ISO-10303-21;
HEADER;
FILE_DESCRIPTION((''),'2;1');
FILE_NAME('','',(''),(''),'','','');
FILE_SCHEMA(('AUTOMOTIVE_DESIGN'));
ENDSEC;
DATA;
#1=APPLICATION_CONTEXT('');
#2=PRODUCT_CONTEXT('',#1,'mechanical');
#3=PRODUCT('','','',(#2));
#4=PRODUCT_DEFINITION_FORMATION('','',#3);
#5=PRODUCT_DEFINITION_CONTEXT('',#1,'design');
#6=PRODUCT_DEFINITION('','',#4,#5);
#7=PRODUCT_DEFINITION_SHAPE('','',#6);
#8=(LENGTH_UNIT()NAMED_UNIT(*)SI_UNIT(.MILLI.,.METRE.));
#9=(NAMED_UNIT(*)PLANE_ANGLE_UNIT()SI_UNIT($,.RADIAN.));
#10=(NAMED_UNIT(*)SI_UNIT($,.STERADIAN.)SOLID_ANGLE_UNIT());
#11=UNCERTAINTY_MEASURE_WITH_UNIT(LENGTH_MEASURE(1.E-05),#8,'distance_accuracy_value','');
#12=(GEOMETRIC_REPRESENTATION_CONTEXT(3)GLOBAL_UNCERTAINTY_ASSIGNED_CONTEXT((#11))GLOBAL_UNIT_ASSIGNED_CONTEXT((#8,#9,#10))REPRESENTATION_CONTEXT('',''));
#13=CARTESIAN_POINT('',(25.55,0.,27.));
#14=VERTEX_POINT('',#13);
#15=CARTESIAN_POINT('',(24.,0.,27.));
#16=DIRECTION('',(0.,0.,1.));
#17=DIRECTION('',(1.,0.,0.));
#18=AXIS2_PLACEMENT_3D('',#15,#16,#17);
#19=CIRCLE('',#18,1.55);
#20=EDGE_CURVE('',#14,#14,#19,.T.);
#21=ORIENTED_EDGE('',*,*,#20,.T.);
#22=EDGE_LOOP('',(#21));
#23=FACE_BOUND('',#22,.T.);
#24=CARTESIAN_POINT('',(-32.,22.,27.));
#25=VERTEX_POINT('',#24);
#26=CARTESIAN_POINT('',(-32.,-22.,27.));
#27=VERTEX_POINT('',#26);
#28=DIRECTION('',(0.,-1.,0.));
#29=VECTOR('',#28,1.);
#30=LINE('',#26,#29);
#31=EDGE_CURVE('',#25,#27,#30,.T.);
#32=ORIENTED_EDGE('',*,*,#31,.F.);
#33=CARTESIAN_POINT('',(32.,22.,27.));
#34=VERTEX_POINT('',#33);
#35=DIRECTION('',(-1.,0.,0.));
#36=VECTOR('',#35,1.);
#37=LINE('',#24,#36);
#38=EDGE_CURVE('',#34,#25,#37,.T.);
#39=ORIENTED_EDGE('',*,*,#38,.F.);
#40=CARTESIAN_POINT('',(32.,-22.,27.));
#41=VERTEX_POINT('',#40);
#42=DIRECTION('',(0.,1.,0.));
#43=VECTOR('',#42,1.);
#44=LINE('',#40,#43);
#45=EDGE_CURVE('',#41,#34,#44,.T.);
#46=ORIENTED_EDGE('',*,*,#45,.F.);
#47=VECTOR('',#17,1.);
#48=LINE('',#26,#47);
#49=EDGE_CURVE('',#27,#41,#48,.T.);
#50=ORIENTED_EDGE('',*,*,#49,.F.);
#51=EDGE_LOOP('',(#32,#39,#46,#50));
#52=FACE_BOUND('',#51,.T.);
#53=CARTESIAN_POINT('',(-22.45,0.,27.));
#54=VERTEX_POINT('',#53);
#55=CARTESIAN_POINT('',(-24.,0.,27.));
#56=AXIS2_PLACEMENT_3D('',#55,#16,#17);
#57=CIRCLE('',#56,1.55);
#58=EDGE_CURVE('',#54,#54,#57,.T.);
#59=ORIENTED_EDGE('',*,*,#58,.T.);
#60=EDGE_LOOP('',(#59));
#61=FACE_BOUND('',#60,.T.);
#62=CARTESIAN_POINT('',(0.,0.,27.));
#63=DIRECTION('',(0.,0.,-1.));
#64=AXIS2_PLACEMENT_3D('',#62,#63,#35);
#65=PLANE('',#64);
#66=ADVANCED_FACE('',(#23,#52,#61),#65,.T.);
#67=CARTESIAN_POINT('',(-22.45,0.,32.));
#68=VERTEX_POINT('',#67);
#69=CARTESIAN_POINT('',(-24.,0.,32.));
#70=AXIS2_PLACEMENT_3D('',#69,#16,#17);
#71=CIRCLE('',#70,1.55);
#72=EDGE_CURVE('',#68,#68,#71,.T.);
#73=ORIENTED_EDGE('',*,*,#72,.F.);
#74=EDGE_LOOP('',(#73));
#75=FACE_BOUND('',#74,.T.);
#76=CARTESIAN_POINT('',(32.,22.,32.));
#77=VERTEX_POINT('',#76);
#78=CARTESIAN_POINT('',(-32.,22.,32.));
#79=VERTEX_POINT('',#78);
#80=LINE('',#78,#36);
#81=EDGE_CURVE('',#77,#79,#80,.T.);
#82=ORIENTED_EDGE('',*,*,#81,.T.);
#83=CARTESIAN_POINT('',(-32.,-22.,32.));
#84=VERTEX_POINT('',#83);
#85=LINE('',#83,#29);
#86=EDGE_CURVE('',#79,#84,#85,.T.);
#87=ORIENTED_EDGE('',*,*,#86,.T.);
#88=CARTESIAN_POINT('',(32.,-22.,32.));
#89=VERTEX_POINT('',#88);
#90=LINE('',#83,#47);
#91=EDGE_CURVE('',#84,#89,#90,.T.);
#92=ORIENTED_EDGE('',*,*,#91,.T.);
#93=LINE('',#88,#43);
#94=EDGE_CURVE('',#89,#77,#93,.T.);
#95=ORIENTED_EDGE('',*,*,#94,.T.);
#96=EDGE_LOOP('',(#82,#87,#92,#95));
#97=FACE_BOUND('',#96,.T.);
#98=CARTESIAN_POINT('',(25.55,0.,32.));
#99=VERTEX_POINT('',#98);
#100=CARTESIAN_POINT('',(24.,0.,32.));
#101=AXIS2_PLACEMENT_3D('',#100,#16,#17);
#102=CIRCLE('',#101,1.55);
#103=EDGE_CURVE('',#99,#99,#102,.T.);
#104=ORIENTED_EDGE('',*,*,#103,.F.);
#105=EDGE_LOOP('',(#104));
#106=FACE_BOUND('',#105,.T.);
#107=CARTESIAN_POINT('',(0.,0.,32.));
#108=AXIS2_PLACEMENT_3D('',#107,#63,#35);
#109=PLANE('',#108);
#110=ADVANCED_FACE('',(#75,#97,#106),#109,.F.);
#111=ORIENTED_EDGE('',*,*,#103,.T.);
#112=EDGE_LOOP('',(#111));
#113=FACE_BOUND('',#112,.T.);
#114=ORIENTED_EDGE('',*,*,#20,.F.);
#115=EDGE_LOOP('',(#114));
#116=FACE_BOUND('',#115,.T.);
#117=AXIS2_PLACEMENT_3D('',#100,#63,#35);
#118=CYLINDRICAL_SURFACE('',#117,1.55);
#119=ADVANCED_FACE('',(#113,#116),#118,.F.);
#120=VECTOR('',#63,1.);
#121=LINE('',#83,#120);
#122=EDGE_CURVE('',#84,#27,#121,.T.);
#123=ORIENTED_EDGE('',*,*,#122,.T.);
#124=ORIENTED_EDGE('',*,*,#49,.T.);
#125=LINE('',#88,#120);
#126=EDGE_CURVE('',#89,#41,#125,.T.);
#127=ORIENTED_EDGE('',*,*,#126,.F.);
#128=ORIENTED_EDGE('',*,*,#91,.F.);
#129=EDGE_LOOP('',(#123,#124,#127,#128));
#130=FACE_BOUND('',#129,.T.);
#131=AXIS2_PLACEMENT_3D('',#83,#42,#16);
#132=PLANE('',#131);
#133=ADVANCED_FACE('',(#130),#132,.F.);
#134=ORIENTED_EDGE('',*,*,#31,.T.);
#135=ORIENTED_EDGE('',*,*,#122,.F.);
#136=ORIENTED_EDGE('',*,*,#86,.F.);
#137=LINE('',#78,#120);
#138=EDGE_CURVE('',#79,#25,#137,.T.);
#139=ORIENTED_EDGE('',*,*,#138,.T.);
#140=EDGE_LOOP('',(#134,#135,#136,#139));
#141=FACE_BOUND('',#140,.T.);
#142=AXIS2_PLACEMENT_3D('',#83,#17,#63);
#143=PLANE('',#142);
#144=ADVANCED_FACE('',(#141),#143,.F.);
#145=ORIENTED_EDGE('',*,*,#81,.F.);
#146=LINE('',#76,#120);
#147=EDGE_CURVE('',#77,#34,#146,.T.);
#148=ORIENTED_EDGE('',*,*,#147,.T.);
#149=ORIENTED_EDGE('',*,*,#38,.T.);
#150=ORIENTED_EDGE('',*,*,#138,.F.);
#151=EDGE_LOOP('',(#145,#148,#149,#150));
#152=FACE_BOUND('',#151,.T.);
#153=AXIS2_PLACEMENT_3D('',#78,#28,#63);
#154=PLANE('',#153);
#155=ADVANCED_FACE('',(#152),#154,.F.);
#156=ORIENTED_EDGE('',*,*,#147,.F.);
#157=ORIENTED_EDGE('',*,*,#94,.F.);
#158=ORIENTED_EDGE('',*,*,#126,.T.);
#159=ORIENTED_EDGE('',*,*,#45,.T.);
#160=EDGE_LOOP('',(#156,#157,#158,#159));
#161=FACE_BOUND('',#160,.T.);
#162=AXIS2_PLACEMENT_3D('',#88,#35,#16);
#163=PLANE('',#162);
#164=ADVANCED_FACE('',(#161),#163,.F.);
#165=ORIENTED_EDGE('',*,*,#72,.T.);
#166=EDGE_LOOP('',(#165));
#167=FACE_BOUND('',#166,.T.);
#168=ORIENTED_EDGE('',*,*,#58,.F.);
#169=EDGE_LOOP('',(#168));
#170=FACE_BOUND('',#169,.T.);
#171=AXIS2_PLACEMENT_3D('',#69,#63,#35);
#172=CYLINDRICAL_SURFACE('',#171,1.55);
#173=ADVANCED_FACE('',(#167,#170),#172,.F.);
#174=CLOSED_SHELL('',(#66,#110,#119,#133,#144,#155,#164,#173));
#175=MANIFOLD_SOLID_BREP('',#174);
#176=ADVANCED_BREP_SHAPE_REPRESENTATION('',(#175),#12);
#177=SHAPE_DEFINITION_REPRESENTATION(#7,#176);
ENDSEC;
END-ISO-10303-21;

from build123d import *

# Parameters (mm, degrees)
F_5MM_START          = 27
SKETCH_1_W           = 64
SKETCH_1_H           = 44
F_5MM_DEPTH          = 5
CUT_EXTRUDE_START    = 27
SKETCH_2_R           = 1.55
CUT_EXTRUDE_48_DEPTH = 5


with BuildPart() as part:
    # 草图1 → 模拟5mm车架_非整车底板模型 (new body)
    with BuildSketch(Plane.XY.offset(F_5MM_START)):
        Rectangle(SKETCH_1_W, SKETCH_1_H)
    extrude(amount=F_5MM_DEPTH)

    # 草图2 → 检具48孔距 (cut)
    with BuildSketch(Plane.XY.offset(CUT_EXTRUDE_START)):
        with Locations((-24, 0)):
            Circle(SKETCH_2_R)
        with Locations((24, 0)):
            Circle(SKETCH_2_R)
    extrude(amount=CUT_EXTRUDE_48_DEPTH, mode=Mode.SUBTRACT)


solid = part.part
